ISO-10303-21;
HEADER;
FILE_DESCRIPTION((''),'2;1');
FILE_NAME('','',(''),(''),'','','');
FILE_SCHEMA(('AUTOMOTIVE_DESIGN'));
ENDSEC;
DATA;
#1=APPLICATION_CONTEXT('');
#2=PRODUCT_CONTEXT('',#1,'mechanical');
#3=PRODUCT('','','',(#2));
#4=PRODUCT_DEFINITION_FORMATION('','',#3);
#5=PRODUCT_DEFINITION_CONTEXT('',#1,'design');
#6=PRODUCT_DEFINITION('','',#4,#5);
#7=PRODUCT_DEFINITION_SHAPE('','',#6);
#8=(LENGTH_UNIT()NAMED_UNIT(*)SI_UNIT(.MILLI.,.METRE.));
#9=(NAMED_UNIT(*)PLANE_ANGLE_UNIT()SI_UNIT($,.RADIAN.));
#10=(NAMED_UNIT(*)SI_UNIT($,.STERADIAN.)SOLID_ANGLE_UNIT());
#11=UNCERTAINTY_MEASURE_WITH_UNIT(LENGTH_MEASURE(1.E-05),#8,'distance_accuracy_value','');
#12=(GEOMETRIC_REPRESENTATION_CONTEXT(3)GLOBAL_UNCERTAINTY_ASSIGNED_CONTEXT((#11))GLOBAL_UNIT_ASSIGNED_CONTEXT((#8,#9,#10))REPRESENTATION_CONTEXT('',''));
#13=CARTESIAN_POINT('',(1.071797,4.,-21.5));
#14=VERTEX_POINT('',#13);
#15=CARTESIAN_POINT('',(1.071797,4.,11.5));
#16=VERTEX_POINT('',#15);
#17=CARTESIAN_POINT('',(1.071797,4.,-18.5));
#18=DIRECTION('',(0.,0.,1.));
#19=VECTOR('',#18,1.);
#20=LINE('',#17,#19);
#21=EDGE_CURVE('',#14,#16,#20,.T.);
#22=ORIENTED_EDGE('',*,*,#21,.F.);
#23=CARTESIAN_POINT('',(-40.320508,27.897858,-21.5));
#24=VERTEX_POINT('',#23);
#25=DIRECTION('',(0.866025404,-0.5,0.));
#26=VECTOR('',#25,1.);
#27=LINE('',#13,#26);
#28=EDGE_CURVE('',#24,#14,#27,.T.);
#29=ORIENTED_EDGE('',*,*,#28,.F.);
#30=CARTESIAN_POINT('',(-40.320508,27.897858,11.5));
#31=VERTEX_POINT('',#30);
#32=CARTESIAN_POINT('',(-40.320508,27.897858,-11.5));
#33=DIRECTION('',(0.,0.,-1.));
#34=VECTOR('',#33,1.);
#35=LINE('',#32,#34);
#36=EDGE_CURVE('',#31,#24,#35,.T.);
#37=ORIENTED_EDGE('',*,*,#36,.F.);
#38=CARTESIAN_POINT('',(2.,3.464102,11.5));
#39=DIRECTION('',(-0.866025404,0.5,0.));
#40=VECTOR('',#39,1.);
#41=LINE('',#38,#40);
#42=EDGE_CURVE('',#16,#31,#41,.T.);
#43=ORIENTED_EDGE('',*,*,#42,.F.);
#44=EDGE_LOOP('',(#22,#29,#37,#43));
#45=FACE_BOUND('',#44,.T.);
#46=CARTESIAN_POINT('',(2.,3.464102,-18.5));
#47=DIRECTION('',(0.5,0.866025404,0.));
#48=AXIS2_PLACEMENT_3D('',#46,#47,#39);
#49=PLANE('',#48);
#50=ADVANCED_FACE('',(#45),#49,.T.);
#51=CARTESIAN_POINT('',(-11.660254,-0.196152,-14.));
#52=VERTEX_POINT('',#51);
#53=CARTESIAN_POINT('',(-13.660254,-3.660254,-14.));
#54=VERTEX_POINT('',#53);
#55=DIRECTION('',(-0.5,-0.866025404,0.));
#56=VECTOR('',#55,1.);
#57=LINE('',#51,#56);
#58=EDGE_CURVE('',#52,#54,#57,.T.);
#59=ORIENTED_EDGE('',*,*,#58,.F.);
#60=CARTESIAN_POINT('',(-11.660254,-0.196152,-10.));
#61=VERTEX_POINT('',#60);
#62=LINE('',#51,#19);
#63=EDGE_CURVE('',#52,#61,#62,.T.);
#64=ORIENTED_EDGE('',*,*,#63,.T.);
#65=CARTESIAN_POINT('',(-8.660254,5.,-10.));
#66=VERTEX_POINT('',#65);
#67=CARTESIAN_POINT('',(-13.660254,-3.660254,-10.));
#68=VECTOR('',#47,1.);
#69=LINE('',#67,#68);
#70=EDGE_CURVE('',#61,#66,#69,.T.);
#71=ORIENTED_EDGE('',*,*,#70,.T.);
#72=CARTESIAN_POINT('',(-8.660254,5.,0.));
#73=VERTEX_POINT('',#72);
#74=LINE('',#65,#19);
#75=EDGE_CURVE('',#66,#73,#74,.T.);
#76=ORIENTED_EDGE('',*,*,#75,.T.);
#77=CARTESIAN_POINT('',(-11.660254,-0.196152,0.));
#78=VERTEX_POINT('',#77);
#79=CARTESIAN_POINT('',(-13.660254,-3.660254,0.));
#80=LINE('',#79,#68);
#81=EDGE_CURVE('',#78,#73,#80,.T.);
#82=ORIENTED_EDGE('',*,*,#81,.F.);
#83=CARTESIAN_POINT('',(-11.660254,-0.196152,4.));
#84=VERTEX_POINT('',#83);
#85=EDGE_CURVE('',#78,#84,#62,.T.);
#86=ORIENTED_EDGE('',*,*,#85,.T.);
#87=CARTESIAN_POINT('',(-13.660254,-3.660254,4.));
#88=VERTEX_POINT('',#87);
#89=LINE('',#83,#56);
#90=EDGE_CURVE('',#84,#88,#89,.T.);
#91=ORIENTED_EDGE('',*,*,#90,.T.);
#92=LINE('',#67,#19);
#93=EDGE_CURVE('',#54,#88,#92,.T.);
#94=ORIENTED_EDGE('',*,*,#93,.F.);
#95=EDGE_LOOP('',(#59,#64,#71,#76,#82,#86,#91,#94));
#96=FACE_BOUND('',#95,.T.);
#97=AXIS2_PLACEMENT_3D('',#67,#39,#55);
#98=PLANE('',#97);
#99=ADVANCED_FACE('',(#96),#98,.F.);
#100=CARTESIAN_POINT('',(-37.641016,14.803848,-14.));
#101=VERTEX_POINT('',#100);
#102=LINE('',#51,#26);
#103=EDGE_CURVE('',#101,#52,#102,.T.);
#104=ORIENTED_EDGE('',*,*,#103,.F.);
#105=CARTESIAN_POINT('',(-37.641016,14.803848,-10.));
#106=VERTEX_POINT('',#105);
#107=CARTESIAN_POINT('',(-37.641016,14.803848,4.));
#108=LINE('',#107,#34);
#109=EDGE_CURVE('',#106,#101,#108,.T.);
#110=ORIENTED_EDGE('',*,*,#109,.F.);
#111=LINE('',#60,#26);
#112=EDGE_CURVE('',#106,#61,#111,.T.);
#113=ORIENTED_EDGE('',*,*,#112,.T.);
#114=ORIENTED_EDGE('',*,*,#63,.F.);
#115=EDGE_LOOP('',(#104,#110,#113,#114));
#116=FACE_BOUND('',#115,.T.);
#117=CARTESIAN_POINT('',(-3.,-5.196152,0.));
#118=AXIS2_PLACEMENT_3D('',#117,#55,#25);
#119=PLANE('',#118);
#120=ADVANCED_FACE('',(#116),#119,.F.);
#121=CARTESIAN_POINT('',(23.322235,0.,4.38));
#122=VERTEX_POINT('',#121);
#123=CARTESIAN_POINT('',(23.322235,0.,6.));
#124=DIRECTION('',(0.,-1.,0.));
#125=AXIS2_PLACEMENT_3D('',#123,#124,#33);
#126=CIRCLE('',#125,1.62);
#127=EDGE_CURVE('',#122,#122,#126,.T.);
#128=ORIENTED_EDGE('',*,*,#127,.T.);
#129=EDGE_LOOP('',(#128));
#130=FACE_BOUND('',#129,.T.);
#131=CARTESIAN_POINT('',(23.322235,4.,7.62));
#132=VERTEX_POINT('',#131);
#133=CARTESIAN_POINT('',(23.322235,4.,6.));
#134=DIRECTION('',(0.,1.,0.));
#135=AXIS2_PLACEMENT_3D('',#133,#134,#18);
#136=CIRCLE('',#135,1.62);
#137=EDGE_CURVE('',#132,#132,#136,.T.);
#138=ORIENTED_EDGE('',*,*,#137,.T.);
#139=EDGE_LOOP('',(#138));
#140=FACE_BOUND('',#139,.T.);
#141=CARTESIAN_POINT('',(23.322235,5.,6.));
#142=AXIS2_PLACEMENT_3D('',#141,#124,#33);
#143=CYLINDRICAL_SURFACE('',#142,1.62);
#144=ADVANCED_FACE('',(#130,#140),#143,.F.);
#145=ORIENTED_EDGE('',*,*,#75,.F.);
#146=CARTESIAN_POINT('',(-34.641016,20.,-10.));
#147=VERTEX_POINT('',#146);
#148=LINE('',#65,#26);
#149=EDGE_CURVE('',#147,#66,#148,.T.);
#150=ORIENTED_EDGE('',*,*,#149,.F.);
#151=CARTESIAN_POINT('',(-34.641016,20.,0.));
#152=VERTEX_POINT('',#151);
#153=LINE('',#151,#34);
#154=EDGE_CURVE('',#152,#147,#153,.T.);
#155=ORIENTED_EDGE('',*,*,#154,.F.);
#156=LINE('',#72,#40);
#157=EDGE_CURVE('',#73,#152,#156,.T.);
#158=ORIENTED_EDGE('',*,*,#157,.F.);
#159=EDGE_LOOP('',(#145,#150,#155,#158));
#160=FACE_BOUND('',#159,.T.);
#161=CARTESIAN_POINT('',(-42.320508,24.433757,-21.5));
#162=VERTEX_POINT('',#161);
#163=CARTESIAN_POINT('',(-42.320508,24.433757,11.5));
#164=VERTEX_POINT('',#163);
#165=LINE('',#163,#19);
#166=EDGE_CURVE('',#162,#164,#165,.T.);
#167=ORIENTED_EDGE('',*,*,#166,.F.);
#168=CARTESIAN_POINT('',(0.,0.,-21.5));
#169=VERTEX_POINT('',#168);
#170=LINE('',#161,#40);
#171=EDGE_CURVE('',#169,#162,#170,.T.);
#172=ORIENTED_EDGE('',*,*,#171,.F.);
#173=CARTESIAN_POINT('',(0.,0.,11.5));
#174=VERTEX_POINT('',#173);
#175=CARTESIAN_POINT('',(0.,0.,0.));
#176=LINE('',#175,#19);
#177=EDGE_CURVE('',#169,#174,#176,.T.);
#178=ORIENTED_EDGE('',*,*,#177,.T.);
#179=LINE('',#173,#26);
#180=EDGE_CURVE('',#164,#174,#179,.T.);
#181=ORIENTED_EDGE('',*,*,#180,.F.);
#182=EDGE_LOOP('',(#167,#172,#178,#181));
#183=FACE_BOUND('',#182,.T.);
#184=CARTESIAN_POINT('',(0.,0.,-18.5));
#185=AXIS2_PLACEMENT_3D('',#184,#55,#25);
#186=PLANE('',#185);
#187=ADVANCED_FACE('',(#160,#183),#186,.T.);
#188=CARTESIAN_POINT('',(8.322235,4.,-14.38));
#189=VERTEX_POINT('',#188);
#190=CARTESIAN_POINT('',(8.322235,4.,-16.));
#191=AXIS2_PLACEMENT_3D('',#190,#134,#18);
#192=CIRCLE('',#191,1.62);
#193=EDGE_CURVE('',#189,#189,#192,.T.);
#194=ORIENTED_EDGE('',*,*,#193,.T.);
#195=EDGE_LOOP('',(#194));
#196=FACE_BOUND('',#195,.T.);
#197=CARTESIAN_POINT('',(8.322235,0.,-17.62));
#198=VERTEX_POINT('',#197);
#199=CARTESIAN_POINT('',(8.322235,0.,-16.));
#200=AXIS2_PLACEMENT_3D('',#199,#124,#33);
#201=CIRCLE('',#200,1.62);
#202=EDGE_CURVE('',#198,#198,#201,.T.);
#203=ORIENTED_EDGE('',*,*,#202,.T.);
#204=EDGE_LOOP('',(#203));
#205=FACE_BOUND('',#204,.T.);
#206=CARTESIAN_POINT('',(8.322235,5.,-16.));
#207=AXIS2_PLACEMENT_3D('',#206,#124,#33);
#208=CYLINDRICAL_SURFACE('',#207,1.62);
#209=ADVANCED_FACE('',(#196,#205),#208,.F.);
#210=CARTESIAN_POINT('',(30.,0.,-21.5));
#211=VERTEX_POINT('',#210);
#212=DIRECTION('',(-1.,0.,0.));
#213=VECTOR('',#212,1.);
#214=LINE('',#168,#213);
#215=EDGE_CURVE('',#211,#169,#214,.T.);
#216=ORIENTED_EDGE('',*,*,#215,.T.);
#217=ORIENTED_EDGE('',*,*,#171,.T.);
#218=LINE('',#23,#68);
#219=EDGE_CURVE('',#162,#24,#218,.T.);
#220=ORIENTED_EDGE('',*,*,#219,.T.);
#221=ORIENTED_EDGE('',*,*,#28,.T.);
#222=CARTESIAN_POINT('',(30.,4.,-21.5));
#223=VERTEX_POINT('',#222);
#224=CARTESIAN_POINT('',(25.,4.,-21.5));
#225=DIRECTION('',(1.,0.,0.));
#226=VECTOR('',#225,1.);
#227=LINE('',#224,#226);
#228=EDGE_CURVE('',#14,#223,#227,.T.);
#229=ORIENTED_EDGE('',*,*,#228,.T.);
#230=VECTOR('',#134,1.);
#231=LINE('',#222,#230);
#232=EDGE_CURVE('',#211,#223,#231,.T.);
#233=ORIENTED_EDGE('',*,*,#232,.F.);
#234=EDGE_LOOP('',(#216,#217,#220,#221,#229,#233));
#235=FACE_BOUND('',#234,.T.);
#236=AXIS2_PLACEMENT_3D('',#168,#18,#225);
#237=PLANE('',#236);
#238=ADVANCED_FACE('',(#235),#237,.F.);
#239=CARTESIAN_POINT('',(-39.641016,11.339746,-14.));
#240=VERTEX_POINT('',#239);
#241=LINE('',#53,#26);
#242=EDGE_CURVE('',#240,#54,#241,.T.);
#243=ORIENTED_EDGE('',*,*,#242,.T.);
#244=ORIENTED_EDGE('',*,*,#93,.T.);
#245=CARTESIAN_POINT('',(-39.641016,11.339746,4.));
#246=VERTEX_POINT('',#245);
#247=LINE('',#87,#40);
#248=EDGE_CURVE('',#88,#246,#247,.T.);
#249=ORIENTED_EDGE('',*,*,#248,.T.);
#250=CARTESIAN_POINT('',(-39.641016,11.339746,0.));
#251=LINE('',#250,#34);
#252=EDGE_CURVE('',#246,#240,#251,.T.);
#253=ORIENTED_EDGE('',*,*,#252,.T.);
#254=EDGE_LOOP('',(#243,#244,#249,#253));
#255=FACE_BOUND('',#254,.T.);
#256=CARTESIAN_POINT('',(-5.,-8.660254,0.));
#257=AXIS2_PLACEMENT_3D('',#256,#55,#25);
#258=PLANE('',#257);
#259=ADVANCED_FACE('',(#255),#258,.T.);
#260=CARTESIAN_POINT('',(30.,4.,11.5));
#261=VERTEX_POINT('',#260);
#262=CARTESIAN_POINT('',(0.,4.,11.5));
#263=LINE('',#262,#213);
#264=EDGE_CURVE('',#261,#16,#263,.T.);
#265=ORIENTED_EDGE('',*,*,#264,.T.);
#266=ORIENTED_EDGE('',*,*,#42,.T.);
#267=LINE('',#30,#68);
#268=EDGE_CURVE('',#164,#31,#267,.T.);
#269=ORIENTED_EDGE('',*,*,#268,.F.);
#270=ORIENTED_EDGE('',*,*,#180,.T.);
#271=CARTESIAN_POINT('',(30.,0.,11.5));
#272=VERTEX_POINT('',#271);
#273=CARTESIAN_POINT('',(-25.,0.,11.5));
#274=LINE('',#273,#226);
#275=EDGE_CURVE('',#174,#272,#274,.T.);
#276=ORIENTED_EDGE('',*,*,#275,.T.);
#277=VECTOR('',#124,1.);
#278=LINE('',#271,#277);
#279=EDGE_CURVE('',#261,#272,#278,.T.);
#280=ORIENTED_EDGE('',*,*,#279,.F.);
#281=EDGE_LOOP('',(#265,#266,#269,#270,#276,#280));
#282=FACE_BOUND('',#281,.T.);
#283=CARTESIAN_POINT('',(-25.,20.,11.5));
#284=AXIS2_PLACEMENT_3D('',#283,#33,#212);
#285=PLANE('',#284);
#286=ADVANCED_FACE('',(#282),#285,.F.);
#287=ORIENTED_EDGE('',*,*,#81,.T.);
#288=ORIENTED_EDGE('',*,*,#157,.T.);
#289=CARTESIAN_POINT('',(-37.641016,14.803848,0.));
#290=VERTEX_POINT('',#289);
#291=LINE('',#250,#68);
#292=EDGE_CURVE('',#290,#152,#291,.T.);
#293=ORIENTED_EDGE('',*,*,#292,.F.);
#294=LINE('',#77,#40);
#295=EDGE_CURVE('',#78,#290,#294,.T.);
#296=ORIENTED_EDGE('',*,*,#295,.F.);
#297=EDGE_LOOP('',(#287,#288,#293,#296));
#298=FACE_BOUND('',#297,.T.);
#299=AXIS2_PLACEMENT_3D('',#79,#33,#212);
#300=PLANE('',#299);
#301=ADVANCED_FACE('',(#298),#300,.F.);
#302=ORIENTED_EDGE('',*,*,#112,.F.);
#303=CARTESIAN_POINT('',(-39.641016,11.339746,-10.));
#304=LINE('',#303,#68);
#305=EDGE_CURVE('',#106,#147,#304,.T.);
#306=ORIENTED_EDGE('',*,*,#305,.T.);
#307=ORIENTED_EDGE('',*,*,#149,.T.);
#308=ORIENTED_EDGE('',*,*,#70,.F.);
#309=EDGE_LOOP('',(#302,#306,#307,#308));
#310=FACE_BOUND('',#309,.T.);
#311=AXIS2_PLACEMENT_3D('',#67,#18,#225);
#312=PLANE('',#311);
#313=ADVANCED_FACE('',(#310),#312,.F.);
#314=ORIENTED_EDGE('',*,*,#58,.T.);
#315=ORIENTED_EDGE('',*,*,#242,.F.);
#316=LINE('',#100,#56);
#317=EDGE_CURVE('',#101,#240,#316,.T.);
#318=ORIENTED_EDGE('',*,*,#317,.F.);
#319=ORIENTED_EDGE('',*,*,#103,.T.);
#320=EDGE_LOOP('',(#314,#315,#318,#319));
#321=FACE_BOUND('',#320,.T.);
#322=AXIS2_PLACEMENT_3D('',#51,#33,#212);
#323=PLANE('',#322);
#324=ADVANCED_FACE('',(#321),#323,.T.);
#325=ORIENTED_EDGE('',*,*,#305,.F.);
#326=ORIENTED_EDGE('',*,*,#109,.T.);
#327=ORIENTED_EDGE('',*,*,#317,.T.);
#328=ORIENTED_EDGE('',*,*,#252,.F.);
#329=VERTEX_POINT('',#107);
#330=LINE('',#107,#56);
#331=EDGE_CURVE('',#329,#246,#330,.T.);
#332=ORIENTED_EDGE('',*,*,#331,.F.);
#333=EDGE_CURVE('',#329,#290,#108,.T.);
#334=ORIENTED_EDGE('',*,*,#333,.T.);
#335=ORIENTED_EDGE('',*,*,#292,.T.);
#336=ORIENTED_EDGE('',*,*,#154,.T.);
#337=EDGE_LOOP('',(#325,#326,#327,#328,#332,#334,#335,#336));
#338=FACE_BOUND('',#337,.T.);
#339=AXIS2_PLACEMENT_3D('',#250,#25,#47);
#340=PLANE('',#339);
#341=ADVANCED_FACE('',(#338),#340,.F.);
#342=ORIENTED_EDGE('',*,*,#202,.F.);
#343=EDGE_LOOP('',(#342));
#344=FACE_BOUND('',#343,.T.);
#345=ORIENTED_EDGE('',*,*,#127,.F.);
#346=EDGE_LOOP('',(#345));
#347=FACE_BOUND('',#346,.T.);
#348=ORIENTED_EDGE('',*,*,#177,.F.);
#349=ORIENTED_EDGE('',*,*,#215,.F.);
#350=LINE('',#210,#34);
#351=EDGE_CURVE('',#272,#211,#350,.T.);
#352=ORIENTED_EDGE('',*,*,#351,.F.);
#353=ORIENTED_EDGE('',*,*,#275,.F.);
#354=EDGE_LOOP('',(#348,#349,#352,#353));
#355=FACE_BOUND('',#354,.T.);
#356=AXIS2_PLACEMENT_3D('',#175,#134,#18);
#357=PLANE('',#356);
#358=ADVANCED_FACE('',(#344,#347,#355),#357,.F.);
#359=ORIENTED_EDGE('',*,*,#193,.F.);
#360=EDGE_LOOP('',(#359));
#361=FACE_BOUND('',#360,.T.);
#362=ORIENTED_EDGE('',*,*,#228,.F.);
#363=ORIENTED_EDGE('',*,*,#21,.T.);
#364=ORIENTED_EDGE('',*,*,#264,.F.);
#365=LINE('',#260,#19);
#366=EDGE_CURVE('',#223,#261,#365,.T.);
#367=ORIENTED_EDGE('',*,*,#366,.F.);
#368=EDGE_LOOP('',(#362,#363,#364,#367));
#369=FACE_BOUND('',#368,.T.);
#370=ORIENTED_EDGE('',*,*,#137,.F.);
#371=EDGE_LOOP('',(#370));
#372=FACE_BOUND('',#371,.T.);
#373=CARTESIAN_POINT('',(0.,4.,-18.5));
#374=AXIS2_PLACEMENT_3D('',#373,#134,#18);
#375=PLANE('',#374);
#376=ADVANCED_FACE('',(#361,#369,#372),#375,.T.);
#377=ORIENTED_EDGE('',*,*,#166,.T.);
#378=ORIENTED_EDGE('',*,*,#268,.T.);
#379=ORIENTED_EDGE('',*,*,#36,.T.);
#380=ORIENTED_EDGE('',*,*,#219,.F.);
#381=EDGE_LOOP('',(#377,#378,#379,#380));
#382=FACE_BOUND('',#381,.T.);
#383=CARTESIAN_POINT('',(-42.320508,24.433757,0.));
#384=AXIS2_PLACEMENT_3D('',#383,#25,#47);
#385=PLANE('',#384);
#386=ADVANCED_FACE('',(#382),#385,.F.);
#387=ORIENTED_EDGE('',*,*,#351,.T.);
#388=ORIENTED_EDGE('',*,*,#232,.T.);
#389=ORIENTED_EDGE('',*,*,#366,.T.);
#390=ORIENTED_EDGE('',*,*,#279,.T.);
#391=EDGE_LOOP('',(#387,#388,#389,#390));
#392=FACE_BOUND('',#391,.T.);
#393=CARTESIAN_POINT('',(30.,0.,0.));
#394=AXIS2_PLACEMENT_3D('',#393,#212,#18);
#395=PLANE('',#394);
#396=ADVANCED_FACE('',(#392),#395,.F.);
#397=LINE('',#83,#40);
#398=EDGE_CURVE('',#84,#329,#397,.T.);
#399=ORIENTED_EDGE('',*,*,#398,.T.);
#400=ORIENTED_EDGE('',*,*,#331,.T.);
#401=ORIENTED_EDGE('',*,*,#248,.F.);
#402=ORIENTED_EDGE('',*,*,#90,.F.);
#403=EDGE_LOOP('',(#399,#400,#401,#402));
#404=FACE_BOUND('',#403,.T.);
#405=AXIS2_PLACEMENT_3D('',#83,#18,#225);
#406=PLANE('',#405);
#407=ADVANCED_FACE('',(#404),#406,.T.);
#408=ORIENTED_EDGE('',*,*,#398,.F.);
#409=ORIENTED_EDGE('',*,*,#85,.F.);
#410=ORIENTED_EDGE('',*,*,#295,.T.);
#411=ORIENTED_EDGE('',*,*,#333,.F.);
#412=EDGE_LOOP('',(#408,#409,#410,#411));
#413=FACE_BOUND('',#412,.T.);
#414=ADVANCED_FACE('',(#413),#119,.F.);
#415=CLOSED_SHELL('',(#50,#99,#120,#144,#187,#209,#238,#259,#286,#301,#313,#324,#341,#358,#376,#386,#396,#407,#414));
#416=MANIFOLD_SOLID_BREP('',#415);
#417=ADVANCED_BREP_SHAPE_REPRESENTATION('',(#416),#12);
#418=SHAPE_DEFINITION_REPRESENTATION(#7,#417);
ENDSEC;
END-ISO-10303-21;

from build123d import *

# Parameters (mm, degrees)
SKETCH1_W           = 50
SKETCH1_H           = 23
BOSS_EXTRUDE1_DEPTH = 20
CUT_EXTRUDE3_DEPTH  = 30
CUT_EXTRUDE4_DEPTH  = 30
SKETCH9_W           = 23
SKETCH9_H           = 4
BOSS_EXTRUDE2_DEPTH = 20
BOSS_EXTRUDE3_DEPTH = 10
SKETCH22_W          = 33
SKETCH22_H          = 4
BOSS_EXTRUDE4_DEPTH = 5
CUT_EXTRUDE7_DEPTH  = 5
SKETCH26_W          = 30
SKETCH26_H          = 10
BOSS_EXTRUDE5_DEPTH = 10
SKETCH28_W          = 30
SKETCH28_H          = 18
BOSS_EXTRUDE6_DEPTH = 4


with BuildPart() as part:
    # Sketch1 → Boss-Extrude1 (new body)
    with BuildSketch(Plane(origin=(0, 0, 0), x_dir=(1, 0, 0), z_dir=(0, 1, 0))):
        Rectangle(SKETCH1_W, SKETCH1_H)
    extrude(amount=BOSS_EXTRUDE1_DEPTH)

    # Sketch2 → Cut-Extrude3 (cut)
    with BuildSketch(Plane.XY.offset(11.5)):
        Polygon((0, 0), (-25, 14.43375673), (-25, 0), align=None)
        Polygon((1.07179677, 4), (25, 4), (25, 20), (-25, 20), (-25, 19.052558883), align=None)
    extrude(amount=-CUT_EXTRUDE3_DEPTH, mode=Mode.SUBTRACT)

    # Sketch4 → Cut-Extrude4 (cut)
    with BuildSketch(Plane.XY.offset(11.5)):
        Polygon((-25, 14.43375673), (-23, 17.897858345), (-25, 19.052558883), align=None)
    extrude(amount=-CUT_EXTRUDE4_DEPTH, mode=Mode.SUBTRACT)

    # Sketch9 → Boss-Extrude2 (add)
    with BuildSketch(Plane(origin=(-25, 14.43375673, 0), x_dir=(0, 0, 1), z_dir=(-0.8660254037844407, 0.4999999999999965, 0))):
        with Locations((0, 2)):
            Rectangle(SKETCH9_W, SKETCH9_H)
    extrude(amount=BOSS_EXTRUDE2_DEPTH)

    # Sketch11 → Boss-Extrude3 (add)
    with BuildSketch(Plane(origin=(0, 0, -11.5), x_dir=(-1, 0, 0), z_dir=(0, 0, -1))):
        Polygon((-25, 4), (-1.07179677, 4), (40.320508076, 27.897858345), (42.320508076, 24.43375673), (0, 0), (-25, 0), align=None)
    extrude(amount=BOSS_EXTRUDE3_DEPTH)

    # Sketch22 → Boss-Extrude4 (add)
    with BuildSketch(Plane(origin=(25, 0, 0), x_dir=(0, 0, -1), z_dir=(1, 0, 0))):
        with Locations((5, 2)):
            Rectangle(SKETCH22_W, SKETCH22_H)
    extrude(amount=BOSS_EXTRUDE4_DEPTH)

    # Sketch23 → Cut-Extrude7 (cut)
    with BuildSketch(Plane.XZ):
        with BuildLine():
            ThreePointArc((23.322235494, 7.62), (22.176722509, 4.854487014), (24.942235494, 6))
            Line((24.942235494, 6), (23.322235494, 6))
            Line((23.322235494, 6), (23.322235494, 7.62))
        make_face()
        with BuildLine():
            Line((23.322235494, 6), (24.942235494, 6))
            ThreePointArc((24.942235494, 6), (24.46774848, 7.145512986), (23.322235494, 7.62))
            Line((23.322235494, 7.62), (23.322235494, 6))
        make_face()
        with BuildLine():
            ThreePointArc((6.702235494, -16), (7.176722509, -17.145512986), (8.322235494, -17.62))
            Line((8.322235494, -17.62), (8.322235494, -16))
            Line((8.322235494, -16), (6.702235494, -16))
        make_face()
        with BuildLine():
            Line((8.322235494, -16), (8.322235494, -17.62))
            ThreePointArc((8.322235494, -17.62), (9.46774848, -17.145512986), (9.942235494, -16))
            ThreePointArc((9.942235494, -16), (8.322235494, -14.38), (6.702235494, -16))
            Line((6.702235494, -16), (8.322235494, -16))
        make_face()
    extrude(amount=-CUT_EXTRUDE7_DEPTH, mode=Mode.SUBTRACT)

    # Sketch26 → Boss-Extrude5 (add)
    with BuildSketch(Plane(origin=(0, 0, 0), x_dir=(0.8660254037844417, -0.4999999999999946, 0), z_dir=(-0.4999999999999946, -0.8660254037844417, 0))):
        with Locations((-25, -5)):
            Rectangle(SKETCH26_W, SKETCH26_H)
    extrude(amount=BOSS_EXTRUDE5_DEPTH)

    # Sketch28 → Boss-Extrude6 (add)
    with BuildSketch(Plane(origin=(-5, -8.660254038, 0), x_dir=(0.8660254037844417, -0.4999999999999946, 0), z_dir=(-0.4999999999999946, -0.8660254037844417, 0))):
        with Locations((-25, -5)):
            Rectangle(SKETCH28_W, SKETCH28_H)
    extrude(amount=-BOSS_EXTRUDE6_DEPTH)


solid = part.part
